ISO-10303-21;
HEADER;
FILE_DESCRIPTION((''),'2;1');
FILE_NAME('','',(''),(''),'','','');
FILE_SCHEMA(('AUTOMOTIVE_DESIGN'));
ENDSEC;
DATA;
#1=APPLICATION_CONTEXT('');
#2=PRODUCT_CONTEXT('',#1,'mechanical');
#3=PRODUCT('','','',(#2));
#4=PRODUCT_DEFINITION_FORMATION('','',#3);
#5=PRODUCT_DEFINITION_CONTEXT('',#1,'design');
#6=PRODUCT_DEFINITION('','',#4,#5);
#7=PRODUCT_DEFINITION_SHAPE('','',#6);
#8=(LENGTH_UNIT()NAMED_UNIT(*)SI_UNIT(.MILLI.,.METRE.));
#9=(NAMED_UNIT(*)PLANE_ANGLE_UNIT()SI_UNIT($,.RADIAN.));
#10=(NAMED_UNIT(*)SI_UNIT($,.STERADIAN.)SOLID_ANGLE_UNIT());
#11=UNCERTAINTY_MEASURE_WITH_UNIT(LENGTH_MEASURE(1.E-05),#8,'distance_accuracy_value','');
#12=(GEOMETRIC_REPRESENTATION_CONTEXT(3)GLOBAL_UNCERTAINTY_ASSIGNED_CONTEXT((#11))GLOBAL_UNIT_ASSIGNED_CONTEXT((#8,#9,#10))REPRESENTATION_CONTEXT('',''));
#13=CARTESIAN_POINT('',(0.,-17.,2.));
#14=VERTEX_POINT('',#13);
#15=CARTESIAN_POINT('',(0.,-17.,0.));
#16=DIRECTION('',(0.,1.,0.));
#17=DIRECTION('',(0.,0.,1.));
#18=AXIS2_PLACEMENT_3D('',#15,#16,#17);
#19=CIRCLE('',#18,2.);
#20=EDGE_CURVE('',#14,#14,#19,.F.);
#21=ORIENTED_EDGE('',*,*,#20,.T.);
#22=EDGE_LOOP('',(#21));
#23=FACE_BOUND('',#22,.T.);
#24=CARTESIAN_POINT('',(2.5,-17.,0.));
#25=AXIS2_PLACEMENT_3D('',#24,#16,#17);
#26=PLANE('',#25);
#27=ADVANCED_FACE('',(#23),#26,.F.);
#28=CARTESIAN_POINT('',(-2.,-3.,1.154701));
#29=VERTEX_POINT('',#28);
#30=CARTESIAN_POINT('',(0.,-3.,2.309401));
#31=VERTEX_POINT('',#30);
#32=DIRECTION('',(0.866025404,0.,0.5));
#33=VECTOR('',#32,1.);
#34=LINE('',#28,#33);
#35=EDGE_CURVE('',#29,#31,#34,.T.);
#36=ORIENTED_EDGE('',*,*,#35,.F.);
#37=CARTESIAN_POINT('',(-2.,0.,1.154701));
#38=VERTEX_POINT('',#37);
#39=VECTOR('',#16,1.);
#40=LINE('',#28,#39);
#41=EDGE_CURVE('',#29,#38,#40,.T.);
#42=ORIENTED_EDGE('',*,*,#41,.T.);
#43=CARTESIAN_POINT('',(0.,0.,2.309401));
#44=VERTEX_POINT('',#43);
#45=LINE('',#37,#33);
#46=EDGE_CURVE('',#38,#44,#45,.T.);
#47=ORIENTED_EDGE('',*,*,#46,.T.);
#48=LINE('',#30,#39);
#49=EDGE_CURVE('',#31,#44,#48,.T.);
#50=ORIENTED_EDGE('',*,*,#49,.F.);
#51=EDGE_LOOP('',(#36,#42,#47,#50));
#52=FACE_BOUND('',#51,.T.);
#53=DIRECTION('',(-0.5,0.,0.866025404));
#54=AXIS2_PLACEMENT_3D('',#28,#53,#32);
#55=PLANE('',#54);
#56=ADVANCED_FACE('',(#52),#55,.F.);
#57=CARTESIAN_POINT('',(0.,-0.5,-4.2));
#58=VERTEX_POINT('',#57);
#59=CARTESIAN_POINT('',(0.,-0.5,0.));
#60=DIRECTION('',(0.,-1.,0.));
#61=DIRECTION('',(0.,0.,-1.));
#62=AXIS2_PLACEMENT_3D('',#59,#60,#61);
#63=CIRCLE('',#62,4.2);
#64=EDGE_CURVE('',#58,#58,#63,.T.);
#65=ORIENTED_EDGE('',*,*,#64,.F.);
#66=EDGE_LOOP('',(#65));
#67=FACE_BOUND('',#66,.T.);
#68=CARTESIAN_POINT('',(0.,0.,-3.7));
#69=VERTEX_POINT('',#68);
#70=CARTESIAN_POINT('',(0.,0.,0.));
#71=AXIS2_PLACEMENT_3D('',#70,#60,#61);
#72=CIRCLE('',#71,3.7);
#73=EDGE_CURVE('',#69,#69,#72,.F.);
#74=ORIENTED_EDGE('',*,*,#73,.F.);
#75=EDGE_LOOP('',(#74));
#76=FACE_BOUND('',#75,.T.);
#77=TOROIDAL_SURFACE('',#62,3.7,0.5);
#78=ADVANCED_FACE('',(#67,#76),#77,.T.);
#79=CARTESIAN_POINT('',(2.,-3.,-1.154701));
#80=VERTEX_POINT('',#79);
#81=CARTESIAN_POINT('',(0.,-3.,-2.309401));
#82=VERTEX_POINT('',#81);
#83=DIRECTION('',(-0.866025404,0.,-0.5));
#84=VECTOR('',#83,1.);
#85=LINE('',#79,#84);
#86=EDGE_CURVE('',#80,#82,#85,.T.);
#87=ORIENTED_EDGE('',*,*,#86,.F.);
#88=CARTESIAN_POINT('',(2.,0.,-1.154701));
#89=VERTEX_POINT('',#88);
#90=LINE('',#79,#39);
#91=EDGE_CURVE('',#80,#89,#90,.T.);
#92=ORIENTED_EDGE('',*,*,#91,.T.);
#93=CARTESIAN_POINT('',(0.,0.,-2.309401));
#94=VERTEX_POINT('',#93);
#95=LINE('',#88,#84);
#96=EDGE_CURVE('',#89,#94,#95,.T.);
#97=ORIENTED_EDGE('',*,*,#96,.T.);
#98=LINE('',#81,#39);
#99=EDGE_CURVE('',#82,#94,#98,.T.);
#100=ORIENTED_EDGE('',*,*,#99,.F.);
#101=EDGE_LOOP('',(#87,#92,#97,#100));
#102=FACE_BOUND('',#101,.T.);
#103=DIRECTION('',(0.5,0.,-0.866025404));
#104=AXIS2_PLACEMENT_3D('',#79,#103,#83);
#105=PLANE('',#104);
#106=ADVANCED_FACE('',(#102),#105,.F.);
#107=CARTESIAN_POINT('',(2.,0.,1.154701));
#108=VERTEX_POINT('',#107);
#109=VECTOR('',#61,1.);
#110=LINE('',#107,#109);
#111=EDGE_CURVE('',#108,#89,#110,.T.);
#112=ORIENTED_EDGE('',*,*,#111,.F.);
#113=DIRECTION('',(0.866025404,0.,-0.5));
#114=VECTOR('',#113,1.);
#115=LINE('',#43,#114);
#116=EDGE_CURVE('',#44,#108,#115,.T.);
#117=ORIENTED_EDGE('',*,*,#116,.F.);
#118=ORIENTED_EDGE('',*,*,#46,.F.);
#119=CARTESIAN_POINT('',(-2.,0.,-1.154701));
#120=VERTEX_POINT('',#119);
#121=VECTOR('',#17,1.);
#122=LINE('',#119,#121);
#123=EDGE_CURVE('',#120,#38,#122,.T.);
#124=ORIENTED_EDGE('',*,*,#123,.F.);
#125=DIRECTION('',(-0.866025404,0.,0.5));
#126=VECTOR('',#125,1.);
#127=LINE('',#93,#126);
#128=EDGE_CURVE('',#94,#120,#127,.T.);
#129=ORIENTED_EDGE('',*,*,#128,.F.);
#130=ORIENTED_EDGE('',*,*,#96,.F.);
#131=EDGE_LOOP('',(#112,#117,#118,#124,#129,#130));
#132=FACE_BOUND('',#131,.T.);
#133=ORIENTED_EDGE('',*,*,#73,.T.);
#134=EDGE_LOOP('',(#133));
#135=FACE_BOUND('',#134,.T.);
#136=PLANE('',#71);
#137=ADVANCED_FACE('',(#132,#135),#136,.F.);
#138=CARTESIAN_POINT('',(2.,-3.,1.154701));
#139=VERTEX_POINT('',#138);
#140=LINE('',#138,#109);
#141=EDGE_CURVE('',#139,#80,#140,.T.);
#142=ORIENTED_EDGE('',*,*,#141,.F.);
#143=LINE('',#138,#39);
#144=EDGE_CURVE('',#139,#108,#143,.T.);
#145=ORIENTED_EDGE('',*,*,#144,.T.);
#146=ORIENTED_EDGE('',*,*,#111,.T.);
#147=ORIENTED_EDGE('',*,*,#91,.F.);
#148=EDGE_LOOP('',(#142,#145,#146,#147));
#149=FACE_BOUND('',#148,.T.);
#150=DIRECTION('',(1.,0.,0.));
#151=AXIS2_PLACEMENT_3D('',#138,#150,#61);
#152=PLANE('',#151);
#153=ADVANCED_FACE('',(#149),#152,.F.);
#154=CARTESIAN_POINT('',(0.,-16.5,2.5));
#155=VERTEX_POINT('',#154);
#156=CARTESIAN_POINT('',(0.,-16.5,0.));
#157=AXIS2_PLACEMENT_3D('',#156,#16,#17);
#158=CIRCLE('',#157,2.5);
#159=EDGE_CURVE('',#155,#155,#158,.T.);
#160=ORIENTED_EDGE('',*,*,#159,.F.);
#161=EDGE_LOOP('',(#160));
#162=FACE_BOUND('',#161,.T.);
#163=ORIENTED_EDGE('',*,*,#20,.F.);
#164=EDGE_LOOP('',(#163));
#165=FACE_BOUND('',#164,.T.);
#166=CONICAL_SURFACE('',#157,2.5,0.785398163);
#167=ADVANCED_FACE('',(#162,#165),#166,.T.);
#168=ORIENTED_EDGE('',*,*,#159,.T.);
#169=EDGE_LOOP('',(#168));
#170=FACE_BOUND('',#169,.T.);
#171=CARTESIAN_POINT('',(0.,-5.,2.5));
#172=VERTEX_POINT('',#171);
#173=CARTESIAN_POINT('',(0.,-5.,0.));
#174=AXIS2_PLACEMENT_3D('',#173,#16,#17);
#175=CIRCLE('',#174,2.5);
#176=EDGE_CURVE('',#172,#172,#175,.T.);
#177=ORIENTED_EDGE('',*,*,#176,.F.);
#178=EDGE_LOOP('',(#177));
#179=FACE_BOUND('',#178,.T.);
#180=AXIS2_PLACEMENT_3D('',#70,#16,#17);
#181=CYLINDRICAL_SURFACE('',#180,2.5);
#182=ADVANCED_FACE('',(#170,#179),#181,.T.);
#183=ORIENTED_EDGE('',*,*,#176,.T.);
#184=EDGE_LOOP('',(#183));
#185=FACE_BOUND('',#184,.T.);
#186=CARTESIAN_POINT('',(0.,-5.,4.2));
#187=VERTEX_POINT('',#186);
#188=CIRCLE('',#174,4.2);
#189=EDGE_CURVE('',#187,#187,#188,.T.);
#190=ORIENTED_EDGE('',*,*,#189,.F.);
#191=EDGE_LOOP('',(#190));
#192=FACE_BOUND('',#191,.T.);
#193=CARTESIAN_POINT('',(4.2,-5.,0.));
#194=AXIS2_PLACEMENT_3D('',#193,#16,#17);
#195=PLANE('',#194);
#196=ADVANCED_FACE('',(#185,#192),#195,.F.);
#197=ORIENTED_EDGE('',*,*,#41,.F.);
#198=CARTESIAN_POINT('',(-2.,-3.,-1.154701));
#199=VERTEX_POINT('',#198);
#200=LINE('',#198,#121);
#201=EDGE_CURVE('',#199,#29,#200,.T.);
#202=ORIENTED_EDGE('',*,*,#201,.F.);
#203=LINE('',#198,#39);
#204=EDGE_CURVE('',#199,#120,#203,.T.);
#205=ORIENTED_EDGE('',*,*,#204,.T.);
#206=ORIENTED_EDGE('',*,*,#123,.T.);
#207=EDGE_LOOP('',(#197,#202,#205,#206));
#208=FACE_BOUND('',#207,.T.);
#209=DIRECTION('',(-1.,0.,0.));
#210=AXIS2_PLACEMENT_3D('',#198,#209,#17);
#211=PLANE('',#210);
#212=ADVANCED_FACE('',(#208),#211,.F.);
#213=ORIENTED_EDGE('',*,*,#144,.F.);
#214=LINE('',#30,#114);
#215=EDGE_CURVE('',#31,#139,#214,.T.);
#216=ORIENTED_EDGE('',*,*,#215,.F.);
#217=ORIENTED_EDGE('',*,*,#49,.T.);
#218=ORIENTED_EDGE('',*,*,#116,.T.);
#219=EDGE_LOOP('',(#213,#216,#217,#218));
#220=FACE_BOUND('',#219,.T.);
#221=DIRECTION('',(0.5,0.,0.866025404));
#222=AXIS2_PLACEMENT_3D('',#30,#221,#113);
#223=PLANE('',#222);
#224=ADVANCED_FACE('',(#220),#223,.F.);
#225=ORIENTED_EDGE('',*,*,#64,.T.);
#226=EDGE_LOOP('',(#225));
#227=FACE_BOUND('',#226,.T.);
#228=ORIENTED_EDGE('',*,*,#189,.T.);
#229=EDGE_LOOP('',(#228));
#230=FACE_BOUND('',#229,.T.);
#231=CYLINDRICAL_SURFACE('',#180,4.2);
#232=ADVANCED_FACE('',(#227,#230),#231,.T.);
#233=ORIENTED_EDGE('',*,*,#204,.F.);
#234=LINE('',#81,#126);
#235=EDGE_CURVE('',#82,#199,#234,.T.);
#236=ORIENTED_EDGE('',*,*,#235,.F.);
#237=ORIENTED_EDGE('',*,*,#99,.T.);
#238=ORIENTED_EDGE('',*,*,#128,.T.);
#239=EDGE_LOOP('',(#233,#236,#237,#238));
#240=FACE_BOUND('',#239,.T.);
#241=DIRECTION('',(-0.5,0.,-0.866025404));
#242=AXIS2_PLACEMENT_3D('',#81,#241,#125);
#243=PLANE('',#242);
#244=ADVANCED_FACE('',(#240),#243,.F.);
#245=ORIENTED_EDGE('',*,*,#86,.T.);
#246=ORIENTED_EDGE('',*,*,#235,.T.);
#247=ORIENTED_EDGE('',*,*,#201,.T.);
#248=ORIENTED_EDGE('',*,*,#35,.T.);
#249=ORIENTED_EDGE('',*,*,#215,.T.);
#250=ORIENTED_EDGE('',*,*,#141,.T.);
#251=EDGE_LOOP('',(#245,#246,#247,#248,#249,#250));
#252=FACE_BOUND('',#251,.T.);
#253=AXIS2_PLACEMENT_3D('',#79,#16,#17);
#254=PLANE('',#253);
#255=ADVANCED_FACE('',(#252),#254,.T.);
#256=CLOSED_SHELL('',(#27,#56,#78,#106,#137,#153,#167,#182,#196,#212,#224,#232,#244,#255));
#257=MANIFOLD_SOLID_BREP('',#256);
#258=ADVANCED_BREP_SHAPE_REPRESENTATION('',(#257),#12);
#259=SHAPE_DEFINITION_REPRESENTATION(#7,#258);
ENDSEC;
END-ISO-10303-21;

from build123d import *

# Parameters (mm, degrees)
CORTAR_EXTRUIR1_DEPTH = 3
CHAFL_N1_SIZE         = 0.5
REDONDEO1_R           = 0.5


with BuildPart() as part:
    # Croquis1 → Revolución1 (revolve)
    with BuildSketch(Plane.XY, mode=Mode.PRIVATE) as revoluci_n1_sk:
        Polygon((0, 0), (4.2, 0), (4.2, -5), (2.5, -5), (2.5, -17), (0, -17), align=None)
    revolve(revoluci_n1_sk.sketch.rotate(Axis((0, 0, 0), (0, -1, 0)), 90), axis=Axis((0, 0, 0), (0, -1, 0)))

    # Croquis2 → Cortar-Extruir1 (cut)
    with BuildSketch(Plane(origin=(0, 0, 0), x_dir=(1, 0, 0), z_dir=(0, 1, 0))):
        Polygon((2, 1.154700538), (0, 2.309401077), (-2, 1.154700538), (-2, -1.154700538), (0, -2.309401077), (2, -1.154700538), align=None)
    extrude(amount=-CORTAR_EXTRUIR1_DEPTH, mode=Mode.SUBTRACT)

    # Chaflán1
    chafl_n1_edges = [part.edges().sort_by_distance(p)[0] for p in [
        (0, -17, -2.5),
    ]]
    chamfer(chafl_n1_edges, length=CHAFL_N1_SIZE)

    # Redondeo1
    redondeo1_edges = [part.edges().sort_by_distance(p)[0] for p in [
        (0, 0, -4.2),
    ]]
    fillet(redondeo1_edges, radius=REDONDEO1_R)


solid = part.part
